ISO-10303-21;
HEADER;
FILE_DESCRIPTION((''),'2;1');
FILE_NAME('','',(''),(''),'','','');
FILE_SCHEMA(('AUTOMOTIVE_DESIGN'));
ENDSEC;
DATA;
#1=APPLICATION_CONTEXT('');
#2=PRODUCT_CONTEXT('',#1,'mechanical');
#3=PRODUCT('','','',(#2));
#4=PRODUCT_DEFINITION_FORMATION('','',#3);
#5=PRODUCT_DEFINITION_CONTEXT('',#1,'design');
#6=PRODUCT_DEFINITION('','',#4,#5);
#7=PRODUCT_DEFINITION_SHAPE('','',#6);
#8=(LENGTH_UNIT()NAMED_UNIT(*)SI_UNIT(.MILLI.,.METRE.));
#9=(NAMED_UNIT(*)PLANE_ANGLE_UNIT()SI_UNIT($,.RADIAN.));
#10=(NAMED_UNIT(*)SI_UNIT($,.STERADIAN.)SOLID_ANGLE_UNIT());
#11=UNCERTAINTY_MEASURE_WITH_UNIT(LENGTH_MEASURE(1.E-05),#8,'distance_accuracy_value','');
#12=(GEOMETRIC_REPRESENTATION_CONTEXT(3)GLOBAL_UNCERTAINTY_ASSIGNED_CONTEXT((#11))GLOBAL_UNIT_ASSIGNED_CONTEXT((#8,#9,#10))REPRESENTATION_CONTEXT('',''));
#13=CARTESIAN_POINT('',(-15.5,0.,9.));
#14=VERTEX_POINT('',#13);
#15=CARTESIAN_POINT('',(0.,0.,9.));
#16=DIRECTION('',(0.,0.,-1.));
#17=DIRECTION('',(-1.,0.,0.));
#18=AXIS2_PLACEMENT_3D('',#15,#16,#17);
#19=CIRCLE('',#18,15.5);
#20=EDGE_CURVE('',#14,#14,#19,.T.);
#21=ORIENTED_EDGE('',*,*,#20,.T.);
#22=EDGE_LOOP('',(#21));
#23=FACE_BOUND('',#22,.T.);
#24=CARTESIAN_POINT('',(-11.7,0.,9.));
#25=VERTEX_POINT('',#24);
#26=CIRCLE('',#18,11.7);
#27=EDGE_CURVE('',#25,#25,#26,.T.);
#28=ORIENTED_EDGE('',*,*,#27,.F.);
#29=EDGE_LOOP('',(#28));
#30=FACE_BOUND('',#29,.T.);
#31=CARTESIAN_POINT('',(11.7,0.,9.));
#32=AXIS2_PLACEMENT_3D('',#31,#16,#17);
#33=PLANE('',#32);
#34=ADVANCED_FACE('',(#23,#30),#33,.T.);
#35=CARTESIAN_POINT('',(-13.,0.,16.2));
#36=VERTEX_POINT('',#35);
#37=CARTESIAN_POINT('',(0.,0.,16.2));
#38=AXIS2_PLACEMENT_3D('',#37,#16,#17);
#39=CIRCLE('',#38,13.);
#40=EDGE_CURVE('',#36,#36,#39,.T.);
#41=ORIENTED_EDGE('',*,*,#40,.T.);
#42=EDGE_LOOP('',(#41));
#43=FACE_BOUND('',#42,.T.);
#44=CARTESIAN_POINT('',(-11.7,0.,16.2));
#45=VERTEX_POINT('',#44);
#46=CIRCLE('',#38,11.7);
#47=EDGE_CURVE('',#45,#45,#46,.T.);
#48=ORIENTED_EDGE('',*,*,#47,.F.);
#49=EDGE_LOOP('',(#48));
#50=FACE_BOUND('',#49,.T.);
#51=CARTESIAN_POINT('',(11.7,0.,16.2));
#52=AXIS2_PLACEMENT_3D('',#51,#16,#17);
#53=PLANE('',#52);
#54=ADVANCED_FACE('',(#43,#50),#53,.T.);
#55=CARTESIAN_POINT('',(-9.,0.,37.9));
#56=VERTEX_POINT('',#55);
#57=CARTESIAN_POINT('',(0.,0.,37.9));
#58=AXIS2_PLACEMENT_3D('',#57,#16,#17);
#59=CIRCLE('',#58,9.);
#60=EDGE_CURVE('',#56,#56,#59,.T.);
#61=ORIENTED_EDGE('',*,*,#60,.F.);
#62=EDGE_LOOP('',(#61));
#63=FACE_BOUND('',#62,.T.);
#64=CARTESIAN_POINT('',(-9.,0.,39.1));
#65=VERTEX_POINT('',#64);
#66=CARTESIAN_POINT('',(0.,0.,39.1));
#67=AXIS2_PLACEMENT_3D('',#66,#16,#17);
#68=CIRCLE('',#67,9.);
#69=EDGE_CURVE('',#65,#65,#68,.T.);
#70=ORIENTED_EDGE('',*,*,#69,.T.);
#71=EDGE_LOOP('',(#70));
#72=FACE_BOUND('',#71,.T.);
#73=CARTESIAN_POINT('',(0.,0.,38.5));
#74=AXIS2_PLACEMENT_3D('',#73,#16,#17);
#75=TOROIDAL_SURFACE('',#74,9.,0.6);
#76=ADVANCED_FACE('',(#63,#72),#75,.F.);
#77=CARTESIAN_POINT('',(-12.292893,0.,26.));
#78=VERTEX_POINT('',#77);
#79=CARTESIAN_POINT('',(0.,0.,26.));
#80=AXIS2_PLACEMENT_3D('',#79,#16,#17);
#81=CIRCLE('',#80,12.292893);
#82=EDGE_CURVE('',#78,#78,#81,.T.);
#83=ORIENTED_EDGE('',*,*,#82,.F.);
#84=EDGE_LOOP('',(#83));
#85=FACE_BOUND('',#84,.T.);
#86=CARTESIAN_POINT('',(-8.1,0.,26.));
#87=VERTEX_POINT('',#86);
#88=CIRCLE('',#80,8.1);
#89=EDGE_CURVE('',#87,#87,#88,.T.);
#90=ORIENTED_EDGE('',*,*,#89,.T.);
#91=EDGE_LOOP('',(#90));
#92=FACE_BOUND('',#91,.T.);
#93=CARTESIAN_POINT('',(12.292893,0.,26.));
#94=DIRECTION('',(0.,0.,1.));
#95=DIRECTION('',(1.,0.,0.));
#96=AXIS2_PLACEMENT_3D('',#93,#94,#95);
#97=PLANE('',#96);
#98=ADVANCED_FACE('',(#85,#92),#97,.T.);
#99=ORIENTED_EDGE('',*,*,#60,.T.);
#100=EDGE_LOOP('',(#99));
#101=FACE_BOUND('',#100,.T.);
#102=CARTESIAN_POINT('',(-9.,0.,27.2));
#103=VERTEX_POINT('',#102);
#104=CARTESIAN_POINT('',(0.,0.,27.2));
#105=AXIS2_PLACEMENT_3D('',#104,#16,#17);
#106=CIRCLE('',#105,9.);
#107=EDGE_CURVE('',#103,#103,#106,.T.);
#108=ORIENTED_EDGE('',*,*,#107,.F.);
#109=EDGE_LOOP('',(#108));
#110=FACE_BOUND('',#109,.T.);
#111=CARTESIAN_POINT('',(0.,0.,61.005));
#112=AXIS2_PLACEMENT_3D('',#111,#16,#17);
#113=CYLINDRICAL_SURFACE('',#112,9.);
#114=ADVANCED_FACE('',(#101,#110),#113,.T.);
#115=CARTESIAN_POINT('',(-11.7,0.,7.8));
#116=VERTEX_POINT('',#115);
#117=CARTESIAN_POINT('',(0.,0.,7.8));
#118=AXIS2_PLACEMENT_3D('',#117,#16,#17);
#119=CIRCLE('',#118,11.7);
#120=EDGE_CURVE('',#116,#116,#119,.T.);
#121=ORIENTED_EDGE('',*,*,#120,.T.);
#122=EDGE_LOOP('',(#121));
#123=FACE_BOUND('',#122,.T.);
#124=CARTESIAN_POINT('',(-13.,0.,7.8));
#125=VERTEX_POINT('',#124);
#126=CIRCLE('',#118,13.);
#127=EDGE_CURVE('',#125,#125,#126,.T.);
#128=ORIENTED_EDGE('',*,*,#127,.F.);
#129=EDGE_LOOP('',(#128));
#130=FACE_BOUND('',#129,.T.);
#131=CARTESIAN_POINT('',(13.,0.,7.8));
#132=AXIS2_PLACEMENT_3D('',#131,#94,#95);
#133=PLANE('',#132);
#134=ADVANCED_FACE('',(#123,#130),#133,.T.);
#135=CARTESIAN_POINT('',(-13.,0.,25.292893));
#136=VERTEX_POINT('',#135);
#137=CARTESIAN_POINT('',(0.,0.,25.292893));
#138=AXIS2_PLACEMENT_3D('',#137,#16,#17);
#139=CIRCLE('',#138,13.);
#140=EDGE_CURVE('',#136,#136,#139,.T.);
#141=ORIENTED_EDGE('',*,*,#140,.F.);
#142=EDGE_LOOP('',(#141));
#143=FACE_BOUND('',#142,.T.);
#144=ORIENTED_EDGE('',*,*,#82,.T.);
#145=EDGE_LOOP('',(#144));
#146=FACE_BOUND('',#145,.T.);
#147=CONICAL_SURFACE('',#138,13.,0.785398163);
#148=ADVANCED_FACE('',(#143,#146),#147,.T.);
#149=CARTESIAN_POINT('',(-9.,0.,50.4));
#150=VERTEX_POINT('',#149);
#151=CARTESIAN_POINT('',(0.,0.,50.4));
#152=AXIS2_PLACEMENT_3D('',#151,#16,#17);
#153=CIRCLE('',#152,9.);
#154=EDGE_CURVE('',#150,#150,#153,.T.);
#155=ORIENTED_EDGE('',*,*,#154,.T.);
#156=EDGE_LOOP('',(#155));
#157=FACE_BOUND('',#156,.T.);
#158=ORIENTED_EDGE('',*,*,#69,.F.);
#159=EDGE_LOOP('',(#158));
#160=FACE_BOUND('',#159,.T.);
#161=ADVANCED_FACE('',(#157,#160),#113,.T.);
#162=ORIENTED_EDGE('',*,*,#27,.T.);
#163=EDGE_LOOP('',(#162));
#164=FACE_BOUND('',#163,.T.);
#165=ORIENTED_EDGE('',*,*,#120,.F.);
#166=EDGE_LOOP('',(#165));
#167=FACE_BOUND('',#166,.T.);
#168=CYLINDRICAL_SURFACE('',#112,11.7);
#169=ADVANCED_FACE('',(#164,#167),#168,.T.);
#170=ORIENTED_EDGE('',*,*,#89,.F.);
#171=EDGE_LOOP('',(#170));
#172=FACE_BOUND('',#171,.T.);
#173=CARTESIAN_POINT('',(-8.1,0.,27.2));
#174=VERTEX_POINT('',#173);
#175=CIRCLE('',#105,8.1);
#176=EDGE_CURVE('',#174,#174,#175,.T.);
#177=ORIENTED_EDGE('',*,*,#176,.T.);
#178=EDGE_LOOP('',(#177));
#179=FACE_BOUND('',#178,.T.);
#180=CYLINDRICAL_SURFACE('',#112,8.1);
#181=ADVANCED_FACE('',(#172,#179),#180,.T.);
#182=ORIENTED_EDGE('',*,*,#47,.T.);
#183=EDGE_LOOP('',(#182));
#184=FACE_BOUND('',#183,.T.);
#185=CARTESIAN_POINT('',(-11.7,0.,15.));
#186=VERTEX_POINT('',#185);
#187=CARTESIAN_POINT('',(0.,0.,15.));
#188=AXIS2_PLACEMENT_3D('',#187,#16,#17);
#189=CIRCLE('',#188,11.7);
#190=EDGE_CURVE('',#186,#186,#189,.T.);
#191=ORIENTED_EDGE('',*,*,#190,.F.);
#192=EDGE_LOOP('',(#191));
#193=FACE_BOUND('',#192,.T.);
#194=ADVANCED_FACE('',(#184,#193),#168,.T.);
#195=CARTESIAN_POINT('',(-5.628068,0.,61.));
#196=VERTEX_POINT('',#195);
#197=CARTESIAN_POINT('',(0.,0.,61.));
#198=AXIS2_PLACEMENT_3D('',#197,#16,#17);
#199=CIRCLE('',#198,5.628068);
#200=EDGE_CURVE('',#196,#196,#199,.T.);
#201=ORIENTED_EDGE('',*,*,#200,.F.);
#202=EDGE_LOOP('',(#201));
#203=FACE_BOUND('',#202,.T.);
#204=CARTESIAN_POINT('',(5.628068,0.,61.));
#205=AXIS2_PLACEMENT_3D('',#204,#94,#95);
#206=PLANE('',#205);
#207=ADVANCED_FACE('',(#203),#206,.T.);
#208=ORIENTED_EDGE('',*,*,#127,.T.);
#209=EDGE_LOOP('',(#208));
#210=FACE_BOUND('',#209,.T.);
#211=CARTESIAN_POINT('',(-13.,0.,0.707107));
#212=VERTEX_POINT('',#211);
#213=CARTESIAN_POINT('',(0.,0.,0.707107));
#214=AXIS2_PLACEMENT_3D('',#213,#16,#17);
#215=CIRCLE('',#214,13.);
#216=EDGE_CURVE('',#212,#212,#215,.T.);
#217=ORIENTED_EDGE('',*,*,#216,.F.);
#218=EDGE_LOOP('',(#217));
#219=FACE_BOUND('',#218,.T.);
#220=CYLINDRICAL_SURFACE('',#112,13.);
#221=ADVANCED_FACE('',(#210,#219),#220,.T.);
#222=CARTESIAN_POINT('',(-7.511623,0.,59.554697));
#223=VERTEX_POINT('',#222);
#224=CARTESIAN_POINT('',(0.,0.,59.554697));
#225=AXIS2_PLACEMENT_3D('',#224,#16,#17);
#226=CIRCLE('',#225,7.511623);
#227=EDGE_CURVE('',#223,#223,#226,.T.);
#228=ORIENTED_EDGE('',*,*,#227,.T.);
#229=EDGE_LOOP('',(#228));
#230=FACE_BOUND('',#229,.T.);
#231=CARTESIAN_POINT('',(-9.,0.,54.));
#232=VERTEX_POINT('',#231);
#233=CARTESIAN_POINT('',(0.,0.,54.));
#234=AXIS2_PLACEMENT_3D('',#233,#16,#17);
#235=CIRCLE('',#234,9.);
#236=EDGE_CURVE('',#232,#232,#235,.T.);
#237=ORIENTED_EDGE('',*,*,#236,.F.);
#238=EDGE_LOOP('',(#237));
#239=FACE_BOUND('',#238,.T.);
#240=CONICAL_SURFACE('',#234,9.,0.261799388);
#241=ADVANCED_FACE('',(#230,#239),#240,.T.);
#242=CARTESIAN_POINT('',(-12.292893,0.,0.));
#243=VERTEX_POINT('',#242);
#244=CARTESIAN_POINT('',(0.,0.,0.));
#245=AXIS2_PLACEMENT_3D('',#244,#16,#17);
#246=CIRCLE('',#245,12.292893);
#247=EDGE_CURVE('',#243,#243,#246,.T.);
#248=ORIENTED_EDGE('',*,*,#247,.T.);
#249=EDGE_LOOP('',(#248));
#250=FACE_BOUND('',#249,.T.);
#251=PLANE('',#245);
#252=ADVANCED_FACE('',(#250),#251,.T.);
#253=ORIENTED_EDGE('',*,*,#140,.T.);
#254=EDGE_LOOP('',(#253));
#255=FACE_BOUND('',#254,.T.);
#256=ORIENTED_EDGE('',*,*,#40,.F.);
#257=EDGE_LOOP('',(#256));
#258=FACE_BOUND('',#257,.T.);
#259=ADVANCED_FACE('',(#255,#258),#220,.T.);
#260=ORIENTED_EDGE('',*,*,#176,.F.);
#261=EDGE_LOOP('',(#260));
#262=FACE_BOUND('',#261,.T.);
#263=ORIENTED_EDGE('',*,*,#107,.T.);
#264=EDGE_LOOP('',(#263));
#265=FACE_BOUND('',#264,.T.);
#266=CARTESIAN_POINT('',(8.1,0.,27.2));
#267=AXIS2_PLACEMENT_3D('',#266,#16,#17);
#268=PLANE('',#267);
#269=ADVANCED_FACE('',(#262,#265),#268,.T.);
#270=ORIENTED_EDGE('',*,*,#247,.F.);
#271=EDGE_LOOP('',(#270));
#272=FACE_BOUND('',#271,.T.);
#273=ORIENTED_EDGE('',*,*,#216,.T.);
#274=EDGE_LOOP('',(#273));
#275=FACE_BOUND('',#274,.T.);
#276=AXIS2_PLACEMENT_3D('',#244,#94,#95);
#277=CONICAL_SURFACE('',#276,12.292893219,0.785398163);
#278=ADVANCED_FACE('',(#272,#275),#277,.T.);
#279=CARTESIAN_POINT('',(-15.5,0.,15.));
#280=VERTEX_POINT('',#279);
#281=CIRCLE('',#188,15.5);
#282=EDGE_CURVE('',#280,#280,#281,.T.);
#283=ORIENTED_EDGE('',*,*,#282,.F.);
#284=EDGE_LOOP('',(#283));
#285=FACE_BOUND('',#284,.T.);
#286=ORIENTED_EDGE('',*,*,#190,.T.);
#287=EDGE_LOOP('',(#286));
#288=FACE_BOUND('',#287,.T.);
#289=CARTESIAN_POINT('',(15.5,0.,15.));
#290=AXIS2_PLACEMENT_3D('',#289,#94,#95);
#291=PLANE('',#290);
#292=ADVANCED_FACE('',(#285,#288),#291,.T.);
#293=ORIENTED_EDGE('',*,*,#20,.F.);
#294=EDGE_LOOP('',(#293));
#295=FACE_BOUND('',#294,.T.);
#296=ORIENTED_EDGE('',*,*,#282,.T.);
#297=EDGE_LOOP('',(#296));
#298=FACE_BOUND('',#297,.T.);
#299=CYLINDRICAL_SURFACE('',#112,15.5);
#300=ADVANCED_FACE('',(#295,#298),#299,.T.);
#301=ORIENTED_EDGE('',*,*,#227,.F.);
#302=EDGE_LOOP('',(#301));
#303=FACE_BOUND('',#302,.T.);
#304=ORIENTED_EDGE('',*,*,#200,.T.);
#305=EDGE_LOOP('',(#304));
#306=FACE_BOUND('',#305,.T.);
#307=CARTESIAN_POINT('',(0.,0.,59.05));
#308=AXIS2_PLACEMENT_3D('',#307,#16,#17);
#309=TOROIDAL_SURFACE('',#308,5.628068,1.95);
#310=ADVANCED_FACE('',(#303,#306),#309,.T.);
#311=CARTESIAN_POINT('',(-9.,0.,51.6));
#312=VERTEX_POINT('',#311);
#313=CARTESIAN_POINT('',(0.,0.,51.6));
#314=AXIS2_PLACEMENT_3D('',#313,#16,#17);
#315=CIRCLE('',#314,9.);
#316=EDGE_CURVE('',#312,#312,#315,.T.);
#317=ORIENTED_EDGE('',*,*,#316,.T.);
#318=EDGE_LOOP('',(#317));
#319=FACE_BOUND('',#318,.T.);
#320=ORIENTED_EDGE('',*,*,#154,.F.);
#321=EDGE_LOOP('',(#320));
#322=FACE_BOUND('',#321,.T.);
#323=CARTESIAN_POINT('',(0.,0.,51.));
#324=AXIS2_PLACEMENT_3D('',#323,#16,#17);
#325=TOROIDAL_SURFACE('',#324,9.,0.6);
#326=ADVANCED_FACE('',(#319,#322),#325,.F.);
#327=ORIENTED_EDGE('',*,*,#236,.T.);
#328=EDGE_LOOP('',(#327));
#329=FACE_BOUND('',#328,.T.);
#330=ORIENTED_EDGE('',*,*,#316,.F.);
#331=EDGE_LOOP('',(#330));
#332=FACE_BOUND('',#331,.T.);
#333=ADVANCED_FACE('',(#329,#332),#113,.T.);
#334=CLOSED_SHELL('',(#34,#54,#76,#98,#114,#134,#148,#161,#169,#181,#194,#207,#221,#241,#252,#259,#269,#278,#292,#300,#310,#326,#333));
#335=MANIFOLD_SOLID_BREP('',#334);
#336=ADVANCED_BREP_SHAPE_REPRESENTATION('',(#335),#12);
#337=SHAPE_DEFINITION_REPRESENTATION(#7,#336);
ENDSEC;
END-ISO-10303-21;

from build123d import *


with BuildPart() as part:
    # Эскиз1 → Повернуть1 (revolve)
    with BuildSketch(Plane.XZ, mode=Mode.PRIVATE) as revolve_1_sk:
        with BuildLine():
            Line((5.628068026, 61), (0, 61))
            Line((0, 61), (0, 0))
            Line((0, 0), (12.292893219, 0))
            Line((12.292893219, 0), (13, 0.707106781))
            Line((13, 0.707106781), (13, 7.8))
            Line((13, 7.8), (11.7, 7.8))
            Line((11.7, 7.8), (11.7, 9))
            Line((11.7, 9), (15.5, 9))
            Line((15.5, 9), (15.5, 15))
            Line((15.5, 15), (11.7, 15))
            Line((11.7, 15), (11.7, 16.2))
            Line((11.7, 16.2), (13, 16.2))
            Line((13, 16.2), (13, 25.292893219))
            Line((13, 25.292893219), (12.292893219, 26))
            Line((12.292893219, 26), (8.1, 26))
            Line((8.1, 26), (8.1, 27.2))
            Line((8.1, 27.2), (9, 27.2))
            Line((9, 27.2), (9, 37.8999999))
            ThreePointArc((9, 37.8999999), (8.4, 38.4999999), (9, 39.0999999))
            Line((9, 39.0999999), (9, 50.4))
            ThreePointArc((9, 50.4), (8.4, 51), (9, 51.6))
            Line((9, 51.6), (9, 54))
            Line((9, 54), (7.511623388, 59.554697138))
            ThreePointArc((7.511623388, 59.554697138), (6.815152813, 60.597039014), (5.628068026, 61))
        make_face()
    revolve(revolve_1_sk.sketch.rotate(Axis((0, 0, 61.005), (0, 0, -1)), 180), axis=Axis((0, 0, 61.005), (0, 0, -1)))


solid = part.part
